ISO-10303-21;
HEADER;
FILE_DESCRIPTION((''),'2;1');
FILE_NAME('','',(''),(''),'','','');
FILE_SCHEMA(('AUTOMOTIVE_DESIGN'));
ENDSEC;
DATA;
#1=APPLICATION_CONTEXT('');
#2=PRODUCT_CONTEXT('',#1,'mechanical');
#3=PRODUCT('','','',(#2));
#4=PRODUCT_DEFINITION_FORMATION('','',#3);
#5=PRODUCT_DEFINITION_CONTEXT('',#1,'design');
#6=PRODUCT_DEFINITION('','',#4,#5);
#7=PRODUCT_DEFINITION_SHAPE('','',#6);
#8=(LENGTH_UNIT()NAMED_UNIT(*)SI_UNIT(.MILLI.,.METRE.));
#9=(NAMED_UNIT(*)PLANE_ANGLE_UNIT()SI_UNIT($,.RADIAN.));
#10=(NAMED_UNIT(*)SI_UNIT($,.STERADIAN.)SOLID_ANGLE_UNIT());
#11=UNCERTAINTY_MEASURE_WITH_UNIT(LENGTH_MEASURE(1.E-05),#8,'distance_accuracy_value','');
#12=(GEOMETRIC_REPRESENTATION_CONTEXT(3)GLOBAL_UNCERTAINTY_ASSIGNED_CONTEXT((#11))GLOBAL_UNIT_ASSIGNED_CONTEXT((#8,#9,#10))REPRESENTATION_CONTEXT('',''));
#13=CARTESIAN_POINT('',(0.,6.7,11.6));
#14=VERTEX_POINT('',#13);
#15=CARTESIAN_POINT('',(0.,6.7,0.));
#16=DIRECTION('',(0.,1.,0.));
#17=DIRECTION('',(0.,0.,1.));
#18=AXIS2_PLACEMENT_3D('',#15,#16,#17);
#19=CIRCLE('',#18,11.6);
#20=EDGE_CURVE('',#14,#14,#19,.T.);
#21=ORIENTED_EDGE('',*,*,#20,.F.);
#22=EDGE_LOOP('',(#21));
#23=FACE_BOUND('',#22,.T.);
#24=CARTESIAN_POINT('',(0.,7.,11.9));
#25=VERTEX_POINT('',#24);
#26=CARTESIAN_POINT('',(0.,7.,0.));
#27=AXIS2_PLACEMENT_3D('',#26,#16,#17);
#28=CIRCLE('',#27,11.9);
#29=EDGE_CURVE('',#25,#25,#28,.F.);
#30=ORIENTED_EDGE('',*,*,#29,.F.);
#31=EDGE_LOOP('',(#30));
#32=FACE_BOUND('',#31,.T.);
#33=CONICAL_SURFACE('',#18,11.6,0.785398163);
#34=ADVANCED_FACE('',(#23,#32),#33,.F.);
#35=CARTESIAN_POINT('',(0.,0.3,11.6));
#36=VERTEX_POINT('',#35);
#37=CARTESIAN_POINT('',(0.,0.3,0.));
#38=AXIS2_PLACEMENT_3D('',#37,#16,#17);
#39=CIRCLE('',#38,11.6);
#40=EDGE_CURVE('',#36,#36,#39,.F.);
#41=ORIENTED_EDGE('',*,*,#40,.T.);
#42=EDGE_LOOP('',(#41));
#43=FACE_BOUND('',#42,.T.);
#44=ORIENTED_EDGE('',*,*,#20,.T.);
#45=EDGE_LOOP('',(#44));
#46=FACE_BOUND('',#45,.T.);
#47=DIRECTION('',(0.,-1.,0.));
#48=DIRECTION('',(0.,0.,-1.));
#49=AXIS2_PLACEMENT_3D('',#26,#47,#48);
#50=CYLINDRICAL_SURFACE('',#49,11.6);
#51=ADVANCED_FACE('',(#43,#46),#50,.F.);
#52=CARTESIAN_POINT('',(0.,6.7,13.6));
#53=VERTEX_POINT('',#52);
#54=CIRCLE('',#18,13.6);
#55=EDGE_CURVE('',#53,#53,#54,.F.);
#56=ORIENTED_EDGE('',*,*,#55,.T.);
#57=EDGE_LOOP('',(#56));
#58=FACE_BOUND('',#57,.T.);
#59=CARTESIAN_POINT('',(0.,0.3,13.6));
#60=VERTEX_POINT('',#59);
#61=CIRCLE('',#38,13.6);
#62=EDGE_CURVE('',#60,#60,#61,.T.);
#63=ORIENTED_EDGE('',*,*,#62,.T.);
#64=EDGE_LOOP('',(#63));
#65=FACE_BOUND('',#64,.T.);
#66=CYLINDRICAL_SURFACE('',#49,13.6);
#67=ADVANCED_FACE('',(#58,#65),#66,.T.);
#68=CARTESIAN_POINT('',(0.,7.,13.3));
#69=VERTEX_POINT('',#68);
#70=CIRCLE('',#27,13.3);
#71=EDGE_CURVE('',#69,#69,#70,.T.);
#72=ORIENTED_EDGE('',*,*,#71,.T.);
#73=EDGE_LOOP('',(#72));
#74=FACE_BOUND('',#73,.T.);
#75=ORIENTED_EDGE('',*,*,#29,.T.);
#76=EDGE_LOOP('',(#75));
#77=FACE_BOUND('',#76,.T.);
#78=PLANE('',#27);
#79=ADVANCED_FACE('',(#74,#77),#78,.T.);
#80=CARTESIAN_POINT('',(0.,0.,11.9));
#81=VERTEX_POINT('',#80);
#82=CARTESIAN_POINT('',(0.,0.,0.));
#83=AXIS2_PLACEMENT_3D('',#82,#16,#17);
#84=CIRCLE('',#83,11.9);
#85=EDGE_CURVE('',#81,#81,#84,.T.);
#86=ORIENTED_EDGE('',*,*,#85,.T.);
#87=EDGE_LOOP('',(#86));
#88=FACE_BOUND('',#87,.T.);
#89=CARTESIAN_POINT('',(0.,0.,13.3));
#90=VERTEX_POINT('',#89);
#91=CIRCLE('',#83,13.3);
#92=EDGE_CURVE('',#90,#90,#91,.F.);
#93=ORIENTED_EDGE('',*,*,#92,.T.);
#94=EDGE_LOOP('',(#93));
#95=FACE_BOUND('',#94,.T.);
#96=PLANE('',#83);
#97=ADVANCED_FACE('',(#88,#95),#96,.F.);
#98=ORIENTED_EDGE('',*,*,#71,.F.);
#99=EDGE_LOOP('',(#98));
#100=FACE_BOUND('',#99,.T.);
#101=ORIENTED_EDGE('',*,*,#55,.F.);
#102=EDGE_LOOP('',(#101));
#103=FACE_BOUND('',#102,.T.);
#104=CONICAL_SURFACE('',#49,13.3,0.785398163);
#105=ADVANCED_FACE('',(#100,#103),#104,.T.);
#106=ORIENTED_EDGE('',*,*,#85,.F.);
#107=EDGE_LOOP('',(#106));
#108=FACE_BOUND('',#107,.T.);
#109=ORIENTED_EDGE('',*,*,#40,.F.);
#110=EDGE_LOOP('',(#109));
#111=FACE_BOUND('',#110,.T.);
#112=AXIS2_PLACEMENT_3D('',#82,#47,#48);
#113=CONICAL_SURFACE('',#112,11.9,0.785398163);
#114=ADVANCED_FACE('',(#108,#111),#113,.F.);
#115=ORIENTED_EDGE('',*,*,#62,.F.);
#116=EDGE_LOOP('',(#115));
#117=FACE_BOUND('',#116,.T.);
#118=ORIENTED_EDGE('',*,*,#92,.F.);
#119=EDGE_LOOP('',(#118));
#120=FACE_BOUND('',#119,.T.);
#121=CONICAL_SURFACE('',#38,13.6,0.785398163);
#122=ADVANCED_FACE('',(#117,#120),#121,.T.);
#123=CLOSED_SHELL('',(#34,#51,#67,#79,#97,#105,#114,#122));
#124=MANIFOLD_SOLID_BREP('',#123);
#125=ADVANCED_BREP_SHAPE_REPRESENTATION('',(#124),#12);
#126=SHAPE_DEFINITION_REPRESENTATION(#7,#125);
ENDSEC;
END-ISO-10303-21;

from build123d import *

# Parameters (mm, degrees)
SKETCH_1_R      = 13.6
SKETCH_1_R_2    = 11.6
EXTRUDE_1_DEPTH = 7
CHAMFER_1_SIZE  = 0.3


with BuildPart() as part:
    # 草图1 → 凸台-拉伸1 (new body)
    with BuildSketch(Plane(origin=(0, 0, 0), x_dir=(1, 0, 0), z_dir=(0, 1, 0))):
        with Locations(Location((0, 0, 0), (0, 0, 270))):
            Circle(SKETCH_1_R)
        with Locations(Location((0, 0, 0), (0, 0, 270))):
            Circle(SKETCH_1_R_2, mode=Mode.SUBTRACT)
    extrude(amount=EXTRUDE_1_DEPTH)

    # 倒角1
    chamfer_1_edges = [part.edges().sort_by_distance(p)[0] for p in [
        (0, 0, -13.6),
        (0, 7, -13.6),
        (0, 0, -11.6),
        (0, 7, -11.6),
    ]]
    chamfer(chamfer_1_edges, length=CHAMFER_1_SIZE)


solid = part.part
